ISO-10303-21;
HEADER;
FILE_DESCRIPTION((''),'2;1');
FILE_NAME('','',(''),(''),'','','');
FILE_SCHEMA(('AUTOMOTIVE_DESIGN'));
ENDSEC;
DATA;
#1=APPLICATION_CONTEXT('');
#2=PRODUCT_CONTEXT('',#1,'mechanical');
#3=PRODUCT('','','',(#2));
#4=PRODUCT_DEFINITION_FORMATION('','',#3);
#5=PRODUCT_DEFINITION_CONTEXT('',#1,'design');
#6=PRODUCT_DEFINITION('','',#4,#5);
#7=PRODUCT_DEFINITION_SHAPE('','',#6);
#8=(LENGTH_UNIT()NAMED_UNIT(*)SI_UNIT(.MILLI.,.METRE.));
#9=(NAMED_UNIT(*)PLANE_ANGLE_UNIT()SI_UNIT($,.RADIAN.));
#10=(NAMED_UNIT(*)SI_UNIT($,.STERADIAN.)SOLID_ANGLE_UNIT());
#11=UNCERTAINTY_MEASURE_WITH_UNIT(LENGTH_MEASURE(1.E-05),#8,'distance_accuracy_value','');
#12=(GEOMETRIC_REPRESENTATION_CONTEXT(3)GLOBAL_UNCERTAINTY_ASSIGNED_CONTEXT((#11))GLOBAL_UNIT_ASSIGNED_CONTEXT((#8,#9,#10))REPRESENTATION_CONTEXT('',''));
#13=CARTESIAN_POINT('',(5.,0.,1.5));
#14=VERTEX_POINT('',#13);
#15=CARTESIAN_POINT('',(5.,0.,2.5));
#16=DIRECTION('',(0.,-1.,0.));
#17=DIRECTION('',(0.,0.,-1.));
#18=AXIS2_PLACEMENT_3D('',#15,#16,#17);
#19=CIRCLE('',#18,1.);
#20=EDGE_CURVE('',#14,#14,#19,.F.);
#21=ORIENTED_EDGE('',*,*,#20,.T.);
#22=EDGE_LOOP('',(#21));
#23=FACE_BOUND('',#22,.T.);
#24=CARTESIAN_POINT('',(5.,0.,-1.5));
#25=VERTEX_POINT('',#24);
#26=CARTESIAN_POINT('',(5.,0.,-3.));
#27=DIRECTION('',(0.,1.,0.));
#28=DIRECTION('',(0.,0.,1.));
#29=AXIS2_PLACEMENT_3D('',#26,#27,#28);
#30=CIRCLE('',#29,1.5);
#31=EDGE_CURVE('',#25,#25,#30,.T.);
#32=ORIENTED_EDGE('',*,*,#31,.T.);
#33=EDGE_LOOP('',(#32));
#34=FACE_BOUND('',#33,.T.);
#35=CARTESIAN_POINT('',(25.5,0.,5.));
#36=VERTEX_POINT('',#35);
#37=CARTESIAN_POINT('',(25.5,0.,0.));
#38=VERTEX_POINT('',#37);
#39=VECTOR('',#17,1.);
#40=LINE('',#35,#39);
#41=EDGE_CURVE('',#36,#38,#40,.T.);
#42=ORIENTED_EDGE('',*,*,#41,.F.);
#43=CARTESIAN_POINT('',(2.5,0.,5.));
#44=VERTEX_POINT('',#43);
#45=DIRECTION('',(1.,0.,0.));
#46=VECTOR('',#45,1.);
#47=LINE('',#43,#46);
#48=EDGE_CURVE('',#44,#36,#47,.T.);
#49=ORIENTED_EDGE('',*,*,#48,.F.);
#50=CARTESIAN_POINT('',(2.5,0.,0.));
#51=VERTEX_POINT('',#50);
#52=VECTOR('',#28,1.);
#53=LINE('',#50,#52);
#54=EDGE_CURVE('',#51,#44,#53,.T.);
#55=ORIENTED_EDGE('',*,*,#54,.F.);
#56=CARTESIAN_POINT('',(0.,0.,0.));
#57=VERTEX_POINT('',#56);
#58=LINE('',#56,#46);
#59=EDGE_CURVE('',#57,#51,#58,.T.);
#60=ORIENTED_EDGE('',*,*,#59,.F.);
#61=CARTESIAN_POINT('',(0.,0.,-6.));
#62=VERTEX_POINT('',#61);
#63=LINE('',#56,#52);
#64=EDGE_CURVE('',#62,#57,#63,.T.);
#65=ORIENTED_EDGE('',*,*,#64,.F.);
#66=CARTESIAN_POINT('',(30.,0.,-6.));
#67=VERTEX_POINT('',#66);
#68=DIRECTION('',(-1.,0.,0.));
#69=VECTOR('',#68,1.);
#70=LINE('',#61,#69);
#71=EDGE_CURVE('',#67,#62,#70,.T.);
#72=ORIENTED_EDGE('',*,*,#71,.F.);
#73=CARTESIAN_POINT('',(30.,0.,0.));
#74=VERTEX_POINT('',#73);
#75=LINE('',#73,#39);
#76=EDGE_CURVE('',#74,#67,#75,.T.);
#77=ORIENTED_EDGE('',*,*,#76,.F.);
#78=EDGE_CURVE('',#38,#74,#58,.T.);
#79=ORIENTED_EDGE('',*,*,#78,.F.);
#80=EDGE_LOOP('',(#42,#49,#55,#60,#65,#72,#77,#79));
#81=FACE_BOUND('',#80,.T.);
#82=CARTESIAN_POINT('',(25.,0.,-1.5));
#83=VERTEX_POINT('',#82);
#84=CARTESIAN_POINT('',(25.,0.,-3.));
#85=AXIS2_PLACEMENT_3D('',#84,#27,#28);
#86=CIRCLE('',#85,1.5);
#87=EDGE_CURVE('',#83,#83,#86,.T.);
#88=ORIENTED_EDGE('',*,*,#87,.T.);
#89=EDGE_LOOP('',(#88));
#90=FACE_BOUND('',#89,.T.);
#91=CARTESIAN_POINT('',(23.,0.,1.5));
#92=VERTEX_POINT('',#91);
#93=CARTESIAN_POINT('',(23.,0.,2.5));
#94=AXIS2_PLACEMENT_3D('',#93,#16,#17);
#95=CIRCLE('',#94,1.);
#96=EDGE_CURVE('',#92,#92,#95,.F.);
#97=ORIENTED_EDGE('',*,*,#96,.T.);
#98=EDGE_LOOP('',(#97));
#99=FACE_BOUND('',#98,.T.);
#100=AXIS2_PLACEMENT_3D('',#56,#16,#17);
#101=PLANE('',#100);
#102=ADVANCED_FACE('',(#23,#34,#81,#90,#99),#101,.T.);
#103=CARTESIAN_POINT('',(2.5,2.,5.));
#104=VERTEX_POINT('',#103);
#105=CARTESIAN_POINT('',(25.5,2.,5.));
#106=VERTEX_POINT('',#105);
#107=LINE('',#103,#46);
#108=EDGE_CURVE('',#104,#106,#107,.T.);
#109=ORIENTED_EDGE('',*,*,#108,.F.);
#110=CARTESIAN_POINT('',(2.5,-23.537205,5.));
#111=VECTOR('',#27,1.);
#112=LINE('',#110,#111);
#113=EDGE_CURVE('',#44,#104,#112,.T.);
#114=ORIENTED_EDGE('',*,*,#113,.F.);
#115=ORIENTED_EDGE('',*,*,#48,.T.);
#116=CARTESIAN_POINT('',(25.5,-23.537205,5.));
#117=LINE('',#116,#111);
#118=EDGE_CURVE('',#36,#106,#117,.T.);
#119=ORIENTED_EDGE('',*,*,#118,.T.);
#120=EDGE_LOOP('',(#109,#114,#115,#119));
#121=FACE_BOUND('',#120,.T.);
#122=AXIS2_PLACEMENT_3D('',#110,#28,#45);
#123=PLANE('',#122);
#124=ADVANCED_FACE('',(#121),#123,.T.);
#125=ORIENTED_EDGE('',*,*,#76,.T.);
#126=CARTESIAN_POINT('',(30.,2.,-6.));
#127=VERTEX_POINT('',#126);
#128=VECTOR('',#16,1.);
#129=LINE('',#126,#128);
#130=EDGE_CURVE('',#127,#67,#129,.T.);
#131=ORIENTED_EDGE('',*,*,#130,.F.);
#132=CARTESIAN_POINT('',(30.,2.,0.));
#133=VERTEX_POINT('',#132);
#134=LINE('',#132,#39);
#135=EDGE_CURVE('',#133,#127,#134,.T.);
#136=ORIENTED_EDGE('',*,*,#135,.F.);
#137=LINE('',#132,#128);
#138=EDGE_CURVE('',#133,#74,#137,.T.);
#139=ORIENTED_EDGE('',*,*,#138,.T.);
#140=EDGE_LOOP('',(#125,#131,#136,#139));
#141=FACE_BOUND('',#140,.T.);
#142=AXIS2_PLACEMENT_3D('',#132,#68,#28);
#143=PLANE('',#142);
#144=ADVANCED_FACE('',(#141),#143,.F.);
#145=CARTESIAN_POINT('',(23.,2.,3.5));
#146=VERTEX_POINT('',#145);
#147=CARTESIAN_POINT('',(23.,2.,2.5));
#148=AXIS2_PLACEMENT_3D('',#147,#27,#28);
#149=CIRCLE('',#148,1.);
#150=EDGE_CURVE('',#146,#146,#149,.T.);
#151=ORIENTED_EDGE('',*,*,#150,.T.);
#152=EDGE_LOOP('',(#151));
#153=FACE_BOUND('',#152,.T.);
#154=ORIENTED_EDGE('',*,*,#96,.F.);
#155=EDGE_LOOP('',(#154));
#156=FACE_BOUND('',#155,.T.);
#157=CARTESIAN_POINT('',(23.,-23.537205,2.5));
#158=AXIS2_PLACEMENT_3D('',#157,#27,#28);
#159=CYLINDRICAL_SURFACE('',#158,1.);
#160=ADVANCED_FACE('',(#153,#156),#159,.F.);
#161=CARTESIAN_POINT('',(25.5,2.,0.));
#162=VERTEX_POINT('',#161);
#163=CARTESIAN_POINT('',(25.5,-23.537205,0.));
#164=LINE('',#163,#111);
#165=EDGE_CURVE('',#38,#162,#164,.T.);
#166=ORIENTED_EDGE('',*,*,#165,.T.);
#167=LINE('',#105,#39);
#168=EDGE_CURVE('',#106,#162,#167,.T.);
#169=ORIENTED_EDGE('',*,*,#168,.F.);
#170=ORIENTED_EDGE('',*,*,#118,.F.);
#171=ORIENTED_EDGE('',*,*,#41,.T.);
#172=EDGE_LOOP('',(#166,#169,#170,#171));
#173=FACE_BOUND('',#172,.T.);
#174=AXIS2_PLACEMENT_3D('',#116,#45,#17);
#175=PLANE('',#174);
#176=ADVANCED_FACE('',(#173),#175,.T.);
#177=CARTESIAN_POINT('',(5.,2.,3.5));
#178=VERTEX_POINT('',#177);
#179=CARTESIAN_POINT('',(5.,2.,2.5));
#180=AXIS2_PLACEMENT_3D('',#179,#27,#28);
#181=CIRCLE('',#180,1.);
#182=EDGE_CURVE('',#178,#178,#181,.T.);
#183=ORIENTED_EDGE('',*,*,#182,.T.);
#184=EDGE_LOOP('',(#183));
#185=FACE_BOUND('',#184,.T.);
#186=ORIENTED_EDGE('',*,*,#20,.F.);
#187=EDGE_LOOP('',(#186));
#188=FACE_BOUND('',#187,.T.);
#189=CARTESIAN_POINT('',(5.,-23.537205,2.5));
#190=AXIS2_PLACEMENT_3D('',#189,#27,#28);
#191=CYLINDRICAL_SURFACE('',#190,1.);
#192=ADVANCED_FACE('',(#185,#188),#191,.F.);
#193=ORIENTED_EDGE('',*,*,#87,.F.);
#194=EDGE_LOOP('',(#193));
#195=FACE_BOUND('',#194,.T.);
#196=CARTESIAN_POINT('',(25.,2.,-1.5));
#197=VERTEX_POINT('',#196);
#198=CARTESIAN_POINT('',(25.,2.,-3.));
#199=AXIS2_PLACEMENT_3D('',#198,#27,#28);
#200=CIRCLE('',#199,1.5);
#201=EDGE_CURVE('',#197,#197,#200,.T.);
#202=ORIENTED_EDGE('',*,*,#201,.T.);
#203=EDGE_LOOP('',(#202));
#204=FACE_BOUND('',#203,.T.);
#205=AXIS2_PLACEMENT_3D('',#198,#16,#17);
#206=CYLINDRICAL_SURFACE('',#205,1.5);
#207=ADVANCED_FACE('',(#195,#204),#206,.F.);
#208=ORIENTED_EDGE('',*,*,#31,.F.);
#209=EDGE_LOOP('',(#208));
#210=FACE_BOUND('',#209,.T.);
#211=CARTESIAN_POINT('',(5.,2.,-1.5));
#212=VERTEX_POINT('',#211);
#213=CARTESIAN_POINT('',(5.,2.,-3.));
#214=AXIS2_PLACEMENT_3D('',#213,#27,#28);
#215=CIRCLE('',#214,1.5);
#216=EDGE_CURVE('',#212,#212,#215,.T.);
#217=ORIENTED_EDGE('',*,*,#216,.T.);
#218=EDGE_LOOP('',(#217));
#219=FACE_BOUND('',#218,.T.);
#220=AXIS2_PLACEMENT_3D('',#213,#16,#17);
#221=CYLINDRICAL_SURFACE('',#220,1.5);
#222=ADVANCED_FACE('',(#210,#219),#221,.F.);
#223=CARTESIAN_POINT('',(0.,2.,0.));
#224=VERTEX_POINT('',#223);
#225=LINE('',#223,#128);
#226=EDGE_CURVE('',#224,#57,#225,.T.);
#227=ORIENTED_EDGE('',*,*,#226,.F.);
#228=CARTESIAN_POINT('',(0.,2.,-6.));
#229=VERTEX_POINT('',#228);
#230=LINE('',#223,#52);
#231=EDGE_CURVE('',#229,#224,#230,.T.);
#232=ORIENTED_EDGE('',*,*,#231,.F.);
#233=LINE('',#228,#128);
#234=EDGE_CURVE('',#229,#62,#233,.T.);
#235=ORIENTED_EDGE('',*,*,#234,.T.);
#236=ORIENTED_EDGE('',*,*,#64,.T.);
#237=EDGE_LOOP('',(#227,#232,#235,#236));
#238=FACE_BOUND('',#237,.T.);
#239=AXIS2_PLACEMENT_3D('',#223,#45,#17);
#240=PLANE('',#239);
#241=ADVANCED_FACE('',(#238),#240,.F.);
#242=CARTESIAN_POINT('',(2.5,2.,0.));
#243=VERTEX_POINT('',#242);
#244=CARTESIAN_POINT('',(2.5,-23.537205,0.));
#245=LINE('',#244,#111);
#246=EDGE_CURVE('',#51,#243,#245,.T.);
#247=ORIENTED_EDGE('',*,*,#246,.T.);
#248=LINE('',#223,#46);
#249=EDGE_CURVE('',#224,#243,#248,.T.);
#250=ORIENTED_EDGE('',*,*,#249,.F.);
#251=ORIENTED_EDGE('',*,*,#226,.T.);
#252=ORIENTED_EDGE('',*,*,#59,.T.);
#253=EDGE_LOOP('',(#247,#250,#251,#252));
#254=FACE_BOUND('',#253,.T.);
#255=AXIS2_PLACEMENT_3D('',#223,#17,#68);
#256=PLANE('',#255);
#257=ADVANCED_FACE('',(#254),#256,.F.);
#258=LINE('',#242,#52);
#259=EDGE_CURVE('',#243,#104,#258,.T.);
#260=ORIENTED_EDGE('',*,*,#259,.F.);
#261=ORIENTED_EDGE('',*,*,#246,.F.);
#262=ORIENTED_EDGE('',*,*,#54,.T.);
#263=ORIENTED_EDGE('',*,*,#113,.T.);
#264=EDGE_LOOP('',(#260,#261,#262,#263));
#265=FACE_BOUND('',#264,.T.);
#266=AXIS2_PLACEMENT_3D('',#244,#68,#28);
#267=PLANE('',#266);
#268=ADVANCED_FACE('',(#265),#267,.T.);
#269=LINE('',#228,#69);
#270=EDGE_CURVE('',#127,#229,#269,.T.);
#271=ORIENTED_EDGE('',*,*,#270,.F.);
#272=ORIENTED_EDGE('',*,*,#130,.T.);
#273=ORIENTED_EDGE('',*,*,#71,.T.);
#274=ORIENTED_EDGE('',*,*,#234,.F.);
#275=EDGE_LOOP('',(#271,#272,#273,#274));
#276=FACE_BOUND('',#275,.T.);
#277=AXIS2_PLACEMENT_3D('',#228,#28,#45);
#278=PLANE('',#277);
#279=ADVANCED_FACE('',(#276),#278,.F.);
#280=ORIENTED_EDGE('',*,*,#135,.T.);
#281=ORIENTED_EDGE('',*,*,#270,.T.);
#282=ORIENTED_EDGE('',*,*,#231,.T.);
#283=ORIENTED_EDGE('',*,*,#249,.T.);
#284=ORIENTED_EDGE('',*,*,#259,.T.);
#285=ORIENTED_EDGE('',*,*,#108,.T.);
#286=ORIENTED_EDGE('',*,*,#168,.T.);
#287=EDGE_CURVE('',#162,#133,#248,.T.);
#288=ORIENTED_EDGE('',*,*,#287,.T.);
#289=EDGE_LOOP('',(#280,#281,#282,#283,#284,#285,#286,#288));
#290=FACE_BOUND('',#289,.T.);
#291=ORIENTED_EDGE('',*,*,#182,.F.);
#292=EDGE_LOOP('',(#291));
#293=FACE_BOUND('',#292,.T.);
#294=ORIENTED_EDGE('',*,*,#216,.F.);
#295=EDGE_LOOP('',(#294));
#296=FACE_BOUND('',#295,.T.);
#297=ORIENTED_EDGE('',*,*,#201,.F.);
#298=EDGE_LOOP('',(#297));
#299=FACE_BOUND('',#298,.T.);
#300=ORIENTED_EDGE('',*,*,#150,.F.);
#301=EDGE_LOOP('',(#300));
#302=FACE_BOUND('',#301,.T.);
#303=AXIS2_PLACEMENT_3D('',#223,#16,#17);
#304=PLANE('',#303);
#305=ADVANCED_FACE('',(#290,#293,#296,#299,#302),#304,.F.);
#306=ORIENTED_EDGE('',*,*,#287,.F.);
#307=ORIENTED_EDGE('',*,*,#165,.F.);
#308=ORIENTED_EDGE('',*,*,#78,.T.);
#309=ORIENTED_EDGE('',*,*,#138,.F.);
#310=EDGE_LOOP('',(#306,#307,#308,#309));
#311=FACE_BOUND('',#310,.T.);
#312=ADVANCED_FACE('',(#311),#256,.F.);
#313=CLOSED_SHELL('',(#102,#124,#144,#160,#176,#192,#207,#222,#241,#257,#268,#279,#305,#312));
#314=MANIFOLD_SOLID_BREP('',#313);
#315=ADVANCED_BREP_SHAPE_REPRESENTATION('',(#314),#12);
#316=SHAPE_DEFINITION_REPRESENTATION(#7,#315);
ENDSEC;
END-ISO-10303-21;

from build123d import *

# Parameters (mm, degrees)
SKETCH_1_W      = 30
SKETCH_1_H      = 6
SKETCH_1_R      = 1.5
EXTRUDE_1_DEPTH = 2
SKETCH_2_W      = 23
SKETCH_2_H      = 5
SKETCH_2_R      = 1
EXTRUDE_2_DEPTH = 2


with BuildPart() as part:
    # 草图1 → 凸台-拉伸1 (new body)
    with BuildSketch(Plane(origin=(0, 0, 0), x_dir=(1, 0, 0), z_dir=(0, 1, 0))):
        with Locations((15, 3)):
            Rectangle(SKETCH_1_W, SKETCH_1_H)
        with Locations(Location((5, 3, 0), (0, 0, 270))):
            Circle(SKETCH_1_R, mode=Mode.SUBTRACT)
        with Locations(Location((25, 3, 0), (0, 0, 270))):
            Circle(SKETCH_1_R, mode=Mode.SUBTRACT)
    extrude(amount=EXTRUDE_1_DEPTH)

    # 草图2 → 凸台-拉伸2 (add)
    with BuildSketch(Plane(origin=(0, 2, 0), x_dir=(1, 0, 0), z_dir=(0, 1, 0))):
        with Locations((14, -2.5)):
            Rectangle(SKETCH_2_W, SKETCH_2_H)
        with Locations(Location((5, -2.5, 0), (0, 0, 270))):
            Circle(SKETCH_2_R, mode=Mode.SUBTRACT)
        with Locations(Location((23, -2.5, 0), (0, 0, 270))):
            Circle(SKETCH_2_R, mode=Mode.SUBTRACT)
    extrude(amount=-EXTRUDE_2_DEPTH)


solid = part.part
